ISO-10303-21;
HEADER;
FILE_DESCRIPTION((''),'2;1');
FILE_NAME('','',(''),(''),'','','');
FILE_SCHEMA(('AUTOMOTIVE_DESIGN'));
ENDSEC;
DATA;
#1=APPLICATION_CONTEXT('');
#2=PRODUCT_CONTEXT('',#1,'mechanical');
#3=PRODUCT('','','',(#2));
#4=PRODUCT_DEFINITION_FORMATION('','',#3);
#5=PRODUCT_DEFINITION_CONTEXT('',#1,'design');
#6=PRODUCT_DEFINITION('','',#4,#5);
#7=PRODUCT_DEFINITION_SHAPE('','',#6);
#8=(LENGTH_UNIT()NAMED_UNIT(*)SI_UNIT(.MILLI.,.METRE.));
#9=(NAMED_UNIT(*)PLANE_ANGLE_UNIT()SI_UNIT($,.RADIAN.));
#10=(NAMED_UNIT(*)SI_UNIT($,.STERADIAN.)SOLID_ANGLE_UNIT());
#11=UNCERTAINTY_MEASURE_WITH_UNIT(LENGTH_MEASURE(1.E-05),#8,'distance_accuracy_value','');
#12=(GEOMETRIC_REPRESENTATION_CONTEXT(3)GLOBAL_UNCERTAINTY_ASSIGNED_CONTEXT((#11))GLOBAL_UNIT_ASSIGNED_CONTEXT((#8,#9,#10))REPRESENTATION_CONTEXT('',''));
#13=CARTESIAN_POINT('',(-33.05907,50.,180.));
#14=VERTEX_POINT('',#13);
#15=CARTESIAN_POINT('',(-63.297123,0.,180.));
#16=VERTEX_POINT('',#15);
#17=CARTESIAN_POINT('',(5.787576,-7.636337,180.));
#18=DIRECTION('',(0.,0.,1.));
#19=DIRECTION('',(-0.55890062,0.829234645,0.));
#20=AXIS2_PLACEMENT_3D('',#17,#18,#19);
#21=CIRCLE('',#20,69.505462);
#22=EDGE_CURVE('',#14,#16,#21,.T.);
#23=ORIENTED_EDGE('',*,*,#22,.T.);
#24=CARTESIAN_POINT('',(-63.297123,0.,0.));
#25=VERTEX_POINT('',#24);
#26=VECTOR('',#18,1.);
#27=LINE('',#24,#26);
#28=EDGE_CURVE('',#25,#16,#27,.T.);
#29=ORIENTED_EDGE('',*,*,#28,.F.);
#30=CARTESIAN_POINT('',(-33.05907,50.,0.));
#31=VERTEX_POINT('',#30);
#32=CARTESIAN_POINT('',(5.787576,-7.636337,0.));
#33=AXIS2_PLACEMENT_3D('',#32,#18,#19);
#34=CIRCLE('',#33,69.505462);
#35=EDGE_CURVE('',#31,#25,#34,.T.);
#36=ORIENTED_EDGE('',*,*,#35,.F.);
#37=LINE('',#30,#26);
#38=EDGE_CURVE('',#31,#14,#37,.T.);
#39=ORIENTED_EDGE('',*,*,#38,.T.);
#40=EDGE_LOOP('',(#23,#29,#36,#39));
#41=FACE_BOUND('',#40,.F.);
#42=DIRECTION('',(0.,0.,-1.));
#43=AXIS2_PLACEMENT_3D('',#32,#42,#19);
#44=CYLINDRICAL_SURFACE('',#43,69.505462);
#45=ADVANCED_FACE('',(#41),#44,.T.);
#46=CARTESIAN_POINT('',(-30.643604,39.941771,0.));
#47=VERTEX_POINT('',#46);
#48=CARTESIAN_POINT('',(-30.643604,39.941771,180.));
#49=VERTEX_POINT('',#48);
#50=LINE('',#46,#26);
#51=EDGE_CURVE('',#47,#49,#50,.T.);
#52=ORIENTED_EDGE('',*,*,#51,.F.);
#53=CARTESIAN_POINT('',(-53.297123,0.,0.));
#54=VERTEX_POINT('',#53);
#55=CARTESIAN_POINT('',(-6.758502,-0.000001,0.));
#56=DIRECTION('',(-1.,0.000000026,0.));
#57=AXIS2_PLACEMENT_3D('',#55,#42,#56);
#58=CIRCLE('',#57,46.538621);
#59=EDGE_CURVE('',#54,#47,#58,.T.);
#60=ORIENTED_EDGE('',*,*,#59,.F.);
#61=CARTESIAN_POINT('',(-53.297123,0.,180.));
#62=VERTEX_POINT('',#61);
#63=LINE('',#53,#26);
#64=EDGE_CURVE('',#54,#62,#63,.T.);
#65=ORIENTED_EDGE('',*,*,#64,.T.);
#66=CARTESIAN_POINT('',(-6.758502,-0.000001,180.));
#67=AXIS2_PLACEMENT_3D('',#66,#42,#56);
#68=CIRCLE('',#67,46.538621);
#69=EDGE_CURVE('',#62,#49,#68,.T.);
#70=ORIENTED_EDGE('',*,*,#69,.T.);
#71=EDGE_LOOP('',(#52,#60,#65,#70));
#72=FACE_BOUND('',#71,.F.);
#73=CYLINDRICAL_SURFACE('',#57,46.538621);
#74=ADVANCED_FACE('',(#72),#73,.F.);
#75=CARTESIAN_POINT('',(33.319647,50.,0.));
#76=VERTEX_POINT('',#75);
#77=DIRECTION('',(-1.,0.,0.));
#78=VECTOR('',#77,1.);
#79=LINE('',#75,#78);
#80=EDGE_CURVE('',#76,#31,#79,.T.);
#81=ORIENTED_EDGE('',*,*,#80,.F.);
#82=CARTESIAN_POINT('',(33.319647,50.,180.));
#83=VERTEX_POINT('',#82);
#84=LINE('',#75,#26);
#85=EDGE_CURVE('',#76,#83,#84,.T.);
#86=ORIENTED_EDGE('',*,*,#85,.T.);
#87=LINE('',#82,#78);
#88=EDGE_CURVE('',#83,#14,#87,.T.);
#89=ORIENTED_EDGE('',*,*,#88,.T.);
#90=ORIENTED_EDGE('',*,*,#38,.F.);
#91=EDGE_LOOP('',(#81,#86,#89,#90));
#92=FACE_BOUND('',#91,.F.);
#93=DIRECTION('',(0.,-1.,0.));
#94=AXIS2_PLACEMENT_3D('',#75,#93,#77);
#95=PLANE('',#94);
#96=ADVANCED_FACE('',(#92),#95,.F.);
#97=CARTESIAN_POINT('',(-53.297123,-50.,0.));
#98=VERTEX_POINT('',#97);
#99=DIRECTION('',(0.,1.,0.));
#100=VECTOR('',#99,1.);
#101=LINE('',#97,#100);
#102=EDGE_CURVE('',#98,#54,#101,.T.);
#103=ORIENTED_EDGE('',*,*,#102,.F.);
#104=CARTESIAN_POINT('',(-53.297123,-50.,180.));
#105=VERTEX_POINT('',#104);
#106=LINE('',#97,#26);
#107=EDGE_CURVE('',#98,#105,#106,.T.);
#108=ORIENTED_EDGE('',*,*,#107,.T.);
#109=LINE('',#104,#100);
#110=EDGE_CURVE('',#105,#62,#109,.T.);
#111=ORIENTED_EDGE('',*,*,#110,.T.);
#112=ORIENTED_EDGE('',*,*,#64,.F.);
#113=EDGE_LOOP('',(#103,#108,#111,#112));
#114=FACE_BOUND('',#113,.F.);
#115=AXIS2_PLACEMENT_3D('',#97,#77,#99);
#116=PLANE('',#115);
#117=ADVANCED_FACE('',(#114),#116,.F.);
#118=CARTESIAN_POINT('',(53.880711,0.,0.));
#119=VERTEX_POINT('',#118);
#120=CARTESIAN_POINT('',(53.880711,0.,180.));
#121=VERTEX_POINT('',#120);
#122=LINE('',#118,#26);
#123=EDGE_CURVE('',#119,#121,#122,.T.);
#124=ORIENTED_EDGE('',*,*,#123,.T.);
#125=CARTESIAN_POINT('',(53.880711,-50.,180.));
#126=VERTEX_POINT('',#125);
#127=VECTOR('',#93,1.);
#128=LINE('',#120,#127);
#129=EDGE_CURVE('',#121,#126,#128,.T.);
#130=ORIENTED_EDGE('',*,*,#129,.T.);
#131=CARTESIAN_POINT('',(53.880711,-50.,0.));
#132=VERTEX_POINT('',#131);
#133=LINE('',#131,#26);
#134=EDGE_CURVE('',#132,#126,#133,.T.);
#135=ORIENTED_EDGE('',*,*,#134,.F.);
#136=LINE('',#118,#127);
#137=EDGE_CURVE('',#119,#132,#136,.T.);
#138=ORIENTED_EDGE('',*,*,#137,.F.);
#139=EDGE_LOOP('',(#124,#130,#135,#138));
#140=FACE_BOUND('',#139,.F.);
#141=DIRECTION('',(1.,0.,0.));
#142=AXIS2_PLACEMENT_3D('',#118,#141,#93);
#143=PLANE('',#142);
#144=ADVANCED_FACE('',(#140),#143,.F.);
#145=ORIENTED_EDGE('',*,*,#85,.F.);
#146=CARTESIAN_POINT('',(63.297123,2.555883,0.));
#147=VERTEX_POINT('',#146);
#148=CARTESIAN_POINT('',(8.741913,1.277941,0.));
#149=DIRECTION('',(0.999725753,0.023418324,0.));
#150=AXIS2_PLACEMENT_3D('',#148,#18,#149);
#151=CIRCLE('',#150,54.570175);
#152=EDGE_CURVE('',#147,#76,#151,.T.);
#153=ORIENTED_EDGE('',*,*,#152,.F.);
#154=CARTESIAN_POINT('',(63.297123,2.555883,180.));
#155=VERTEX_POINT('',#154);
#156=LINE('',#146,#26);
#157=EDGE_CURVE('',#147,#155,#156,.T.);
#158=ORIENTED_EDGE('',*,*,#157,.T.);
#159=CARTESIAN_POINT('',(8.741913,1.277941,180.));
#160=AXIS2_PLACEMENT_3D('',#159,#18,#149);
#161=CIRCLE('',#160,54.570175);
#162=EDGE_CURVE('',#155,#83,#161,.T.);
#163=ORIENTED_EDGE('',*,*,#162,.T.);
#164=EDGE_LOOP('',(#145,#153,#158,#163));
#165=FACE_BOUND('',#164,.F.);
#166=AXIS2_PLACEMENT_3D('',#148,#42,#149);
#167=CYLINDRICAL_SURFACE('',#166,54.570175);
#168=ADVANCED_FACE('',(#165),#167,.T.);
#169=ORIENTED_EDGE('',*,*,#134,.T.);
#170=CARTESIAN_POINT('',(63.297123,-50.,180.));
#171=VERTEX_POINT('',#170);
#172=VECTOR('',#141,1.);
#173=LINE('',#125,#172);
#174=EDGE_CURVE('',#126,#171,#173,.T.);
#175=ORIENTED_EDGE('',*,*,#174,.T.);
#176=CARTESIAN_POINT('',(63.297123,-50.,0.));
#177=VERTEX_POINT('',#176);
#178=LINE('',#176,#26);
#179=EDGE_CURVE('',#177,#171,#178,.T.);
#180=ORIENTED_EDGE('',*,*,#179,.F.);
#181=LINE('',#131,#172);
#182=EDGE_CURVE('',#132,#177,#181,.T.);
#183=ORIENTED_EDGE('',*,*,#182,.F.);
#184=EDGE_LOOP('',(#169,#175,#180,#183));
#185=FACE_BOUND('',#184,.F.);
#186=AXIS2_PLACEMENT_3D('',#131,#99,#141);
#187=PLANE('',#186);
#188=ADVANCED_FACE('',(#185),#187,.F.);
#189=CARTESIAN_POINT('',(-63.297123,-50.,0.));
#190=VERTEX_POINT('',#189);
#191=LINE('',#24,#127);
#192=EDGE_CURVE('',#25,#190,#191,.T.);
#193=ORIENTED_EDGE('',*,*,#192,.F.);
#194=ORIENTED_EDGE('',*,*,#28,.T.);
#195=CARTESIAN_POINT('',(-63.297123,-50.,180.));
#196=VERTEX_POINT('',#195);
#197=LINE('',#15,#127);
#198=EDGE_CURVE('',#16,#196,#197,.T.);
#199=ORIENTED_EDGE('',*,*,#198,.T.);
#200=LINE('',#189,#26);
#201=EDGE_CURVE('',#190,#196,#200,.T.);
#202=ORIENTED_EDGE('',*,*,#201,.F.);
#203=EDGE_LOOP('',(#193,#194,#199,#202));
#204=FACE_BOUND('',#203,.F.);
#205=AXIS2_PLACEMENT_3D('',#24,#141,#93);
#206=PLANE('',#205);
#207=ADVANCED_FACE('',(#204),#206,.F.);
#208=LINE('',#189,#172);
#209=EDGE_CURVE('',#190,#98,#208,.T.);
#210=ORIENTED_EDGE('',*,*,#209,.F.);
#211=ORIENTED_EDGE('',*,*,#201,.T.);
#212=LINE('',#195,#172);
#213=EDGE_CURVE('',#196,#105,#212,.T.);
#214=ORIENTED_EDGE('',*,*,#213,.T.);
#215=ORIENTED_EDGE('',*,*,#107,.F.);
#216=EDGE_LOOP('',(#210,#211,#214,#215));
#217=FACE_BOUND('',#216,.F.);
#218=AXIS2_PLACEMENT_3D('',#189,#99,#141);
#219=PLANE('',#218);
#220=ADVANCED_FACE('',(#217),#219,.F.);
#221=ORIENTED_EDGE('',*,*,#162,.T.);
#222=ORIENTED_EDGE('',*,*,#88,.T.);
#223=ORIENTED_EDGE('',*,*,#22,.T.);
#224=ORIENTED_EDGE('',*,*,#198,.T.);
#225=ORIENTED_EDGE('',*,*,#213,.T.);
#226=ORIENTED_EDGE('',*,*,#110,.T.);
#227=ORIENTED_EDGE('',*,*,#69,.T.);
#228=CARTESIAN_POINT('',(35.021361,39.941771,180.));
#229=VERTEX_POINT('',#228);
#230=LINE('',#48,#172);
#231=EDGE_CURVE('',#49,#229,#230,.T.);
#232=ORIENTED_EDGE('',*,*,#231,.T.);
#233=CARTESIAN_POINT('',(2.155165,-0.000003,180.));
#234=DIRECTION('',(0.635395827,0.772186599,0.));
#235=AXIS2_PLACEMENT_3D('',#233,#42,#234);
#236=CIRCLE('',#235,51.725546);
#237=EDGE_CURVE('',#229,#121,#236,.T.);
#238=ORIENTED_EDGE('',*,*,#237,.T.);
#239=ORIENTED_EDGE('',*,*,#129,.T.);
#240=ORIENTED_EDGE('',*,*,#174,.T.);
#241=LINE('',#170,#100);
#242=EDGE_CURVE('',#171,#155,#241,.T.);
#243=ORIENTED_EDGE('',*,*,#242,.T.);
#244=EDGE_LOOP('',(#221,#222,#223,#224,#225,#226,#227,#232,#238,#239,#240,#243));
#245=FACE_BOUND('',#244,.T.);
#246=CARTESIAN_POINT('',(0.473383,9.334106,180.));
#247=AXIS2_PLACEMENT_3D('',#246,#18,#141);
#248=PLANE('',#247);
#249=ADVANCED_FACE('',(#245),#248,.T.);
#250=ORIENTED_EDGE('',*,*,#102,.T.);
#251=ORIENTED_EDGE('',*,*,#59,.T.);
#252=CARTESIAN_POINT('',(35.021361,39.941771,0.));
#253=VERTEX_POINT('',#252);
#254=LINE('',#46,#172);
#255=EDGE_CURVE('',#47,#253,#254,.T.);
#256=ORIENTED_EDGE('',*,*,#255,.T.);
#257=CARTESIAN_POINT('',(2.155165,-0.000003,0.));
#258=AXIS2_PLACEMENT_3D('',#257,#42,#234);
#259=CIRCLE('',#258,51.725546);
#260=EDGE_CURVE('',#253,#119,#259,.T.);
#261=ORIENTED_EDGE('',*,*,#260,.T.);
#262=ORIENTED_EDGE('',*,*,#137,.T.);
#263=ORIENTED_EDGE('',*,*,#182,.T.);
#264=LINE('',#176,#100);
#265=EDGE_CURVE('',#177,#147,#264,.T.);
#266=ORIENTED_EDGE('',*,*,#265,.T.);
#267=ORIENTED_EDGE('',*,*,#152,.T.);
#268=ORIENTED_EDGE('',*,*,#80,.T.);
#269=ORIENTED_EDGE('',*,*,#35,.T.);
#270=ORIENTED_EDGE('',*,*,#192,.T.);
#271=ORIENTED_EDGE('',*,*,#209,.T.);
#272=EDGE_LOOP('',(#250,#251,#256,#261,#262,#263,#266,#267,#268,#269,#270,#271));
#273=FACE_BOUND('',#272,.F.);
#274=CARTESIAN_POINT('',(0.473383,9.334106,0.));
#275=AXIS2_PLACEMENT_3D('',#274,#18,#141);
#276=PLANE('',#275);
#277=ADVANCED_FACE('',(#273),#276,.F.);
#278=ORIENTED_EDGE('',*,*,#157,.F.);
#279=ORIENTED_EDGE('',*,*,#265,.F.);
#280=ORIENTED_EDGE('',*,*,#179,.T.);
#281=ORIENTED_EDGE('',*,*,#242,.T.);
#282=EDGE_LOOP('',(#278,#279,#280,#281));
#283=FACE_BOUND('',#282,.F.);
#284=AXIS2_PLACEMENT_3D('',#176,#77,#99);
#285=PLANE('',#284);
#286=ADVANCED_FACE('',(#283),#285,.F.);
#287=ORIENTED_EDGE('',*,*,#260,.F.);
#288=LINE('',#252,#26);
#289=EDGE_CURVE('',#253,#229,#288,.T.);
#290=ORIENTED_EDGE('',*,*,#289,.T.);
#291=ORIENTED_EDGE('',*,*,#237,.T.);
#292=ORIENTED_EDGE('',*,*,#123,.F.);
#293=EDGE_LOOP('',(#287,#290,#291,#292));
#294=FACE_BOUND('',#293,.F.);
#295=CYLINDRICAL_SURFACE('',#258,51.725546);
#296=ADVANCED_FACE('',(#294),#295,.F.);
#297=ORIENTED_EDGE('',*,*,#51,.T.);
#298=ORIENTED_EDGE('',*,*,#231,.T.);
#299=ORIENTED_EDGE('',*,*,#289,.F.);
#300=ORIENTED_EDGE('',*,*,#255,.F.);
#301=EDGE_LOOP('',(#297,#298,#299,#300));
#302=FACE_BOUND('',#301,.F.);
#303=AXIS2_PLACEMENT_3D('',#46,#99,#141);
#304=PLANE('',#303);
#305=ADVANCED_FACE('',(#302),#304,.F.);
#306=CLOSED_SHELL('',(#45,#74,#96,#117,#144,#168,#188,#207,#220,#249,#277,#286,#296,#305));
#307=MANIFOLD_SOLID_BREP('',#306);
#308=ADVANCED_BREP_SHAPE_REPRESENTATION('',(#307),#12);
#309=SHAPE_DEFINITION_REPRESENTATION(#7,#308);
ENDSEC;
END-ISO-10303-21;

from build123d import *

# Parameters (mm, degrees)
F1_DEPTH = 180


with BuildPart() as f1:
    # F0 (on Top) → F1 (new body)
    with BuildSketch(Plane.XY):
        with BuildLine():
            Line((53.880711, -50), (63.297123, -50))
            Line((63.297123, -50), (63.297123, 0))
            Line((63.297123, 0), (63.297123, 2.555883))
            ThreePointArc((63.297123, 2.555883), (54.874784, 30.426908), (33.319647, 50))
            Line((33.319647, 50), (-33.05907, 50))
            ThreePointArc((-33.05907, 50), (-53.687577, 28.331919), (-63.297123, 0))
            Line((-63.297123, 0), (-63.297123, -50))
            Line((-63.297123, -50), (-53.297123, -50))
            Line((-53.297123, -50), (-53.297123, 0))
            ThreePointArc((-53.297123, 0), (-47.239503, 22.95935), (-30.643604, 39.941771))
            Line((-30.643604, 39.941771), (35.021361, 39.941771))
            ThreePointArc((35.021361, 39.941771), (48.928843, 22.085177), (53.880711, 0))
            Line((53.880711, 0), (53.880711, -50))
        make_face()
    extrude(amount=F1_DEPTH)


solid = f1.part
